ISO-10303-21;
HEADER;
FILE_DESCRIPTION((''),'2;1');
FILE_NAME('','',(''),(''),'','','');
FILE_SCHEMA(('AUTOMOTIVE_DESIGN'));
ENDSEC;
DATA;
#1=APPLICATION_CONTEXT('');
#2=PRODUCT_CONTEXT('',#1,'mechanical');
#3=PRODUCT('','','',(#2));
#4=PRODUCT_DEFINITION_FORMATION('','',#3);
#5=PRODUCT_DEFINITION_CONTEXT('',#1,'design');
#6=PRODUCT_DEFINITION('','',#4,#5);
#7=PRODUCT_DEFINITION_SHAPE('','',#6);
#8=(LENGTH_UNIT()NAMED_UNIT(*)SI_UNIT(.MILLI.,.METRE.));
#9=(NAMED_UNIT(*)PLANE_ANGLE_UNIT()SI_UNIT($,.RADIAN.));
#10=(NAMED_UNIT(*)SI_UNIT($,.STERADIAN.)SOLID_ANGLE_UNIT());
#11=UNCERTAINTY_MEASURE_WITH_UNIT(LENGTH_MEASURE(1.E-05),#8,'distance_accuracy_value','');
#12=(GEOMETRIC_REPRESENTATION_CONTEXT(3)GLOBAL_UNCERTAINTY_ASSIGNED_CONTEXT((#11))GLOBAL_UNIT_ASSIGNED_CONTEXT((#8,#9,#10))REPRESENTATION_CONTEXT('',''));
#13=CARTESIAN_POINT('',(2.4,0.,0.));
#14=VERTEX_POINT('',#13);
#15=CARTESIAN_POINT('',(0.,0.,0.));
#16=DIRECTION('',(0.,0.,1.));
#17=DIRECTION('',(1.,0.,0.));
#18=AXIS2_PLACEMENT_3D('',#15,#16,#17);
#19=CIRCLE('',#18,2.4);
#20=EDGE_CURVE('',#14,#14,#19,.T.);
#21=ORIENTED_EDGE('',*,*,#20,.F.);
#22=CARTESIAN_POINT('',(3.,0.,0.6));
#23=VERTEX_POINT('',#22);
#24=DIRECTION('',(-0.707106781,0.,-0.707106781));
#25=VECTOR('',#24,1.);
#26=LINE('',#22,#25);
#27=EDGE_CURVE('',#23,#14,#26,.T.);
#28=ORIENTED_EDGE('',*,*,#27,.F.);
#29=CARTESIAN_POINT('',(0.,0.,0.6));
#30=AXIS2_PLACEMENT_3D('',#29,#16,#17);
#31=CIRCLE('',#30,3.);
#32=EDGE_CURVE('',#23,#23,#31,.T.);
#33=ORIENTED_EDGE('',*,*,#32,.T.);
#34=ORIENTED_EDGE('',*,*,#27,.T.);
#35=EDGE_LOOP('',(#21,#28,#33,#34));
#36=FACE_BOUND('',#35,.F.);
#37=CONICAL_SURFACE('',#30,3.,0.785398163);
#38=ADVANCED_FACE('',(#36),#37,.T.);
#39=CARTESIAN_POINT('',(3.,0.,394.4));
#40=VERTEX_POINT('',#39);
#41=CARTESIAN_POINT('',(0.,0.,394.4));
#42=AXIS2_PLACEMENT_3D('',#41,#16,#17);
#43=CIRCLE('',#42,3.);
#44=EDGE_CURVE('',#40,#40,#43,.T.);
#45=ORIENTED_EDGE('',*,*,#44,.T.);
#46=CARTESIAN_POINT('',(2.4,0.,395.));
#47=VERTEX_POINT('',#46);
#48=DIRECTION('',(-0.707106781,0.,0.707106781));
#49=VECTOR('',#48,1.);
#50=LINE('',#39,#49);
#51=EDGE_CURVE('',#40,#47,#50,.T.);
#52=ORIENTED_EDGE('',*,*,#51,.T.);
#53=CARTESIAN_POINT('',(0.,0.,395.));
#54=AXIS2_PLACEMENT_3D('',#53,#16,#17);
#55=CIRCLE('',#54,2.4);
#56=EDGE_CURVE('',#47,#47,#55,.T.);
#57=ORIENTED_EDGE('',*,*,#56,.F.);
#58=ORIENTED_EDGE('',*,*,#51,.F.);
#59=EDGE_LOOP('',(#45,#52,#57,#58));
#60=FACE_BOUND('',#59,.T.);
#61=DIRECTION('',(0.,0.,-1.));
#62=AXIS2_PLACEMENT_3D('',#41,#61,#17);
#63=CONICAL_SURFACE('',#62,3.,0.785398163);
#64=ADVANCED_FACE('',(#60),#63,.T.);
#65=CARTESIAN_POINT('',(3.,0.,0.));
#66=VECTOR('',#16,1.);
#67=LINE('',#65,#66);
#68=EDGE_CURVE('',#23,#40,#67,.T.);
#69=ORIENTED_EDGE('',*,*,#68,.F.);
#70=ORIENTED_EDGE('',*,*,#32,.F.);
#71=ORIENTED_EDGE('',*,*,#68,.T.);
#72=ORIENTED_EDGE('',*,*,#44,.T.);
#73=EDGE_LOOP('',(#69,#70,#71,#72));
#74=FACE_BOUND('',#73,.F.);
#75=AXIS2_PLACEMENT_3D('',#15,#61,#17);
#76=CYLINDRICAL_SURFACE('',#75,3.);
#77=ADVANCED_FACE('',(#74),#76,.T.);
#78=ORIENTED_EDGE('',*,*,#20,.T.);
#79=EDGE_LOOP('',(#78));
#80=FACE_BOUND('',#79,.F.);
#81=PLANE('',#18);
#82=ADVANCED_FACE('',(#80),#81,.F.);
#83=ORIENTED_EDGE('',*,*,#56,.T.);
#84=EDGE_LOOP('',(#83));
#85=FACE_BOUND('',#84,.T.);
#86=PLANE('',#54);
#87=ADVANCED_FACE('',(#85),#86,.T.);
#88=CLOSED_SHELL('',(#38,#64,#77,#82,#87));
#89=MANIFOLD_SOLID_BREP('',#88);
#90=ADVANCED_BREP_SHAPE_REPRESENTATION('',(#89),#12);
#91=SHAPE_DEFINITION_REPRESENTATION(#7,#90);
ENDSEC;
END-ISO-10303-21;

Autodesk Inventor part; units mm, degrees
ref_plane "YZ Plane" through (0, 0, 0) normal (1, 0, 0) x (0, 1, 0)
ref_plane "XZ Plane" through (0, 0, 0) normal (0, 1, 0) x (-1, 0, 0)
ref_plane "XY Plane" through (0, 0, 0) normal (0, 0, 1) x (1, 0, 0)
sketch "Sketch1" plane through (0, 0, 0) normal (0, 0, 1) x (1, 0, 0)
  circle A0 centre (0, 0) radius 3
  dimension "d0" = 6
extrude "Extrusion1" add sketch "Sketch1" along normal blind 395
chamfer "Chamfer1" distance 0.6 angle 45 2 edges at (-3, 0, 395) (-3, 0, 0)
properties part number "CUT_STEEL_6x395mm_Linear_rod" material "Stainless Steel"
